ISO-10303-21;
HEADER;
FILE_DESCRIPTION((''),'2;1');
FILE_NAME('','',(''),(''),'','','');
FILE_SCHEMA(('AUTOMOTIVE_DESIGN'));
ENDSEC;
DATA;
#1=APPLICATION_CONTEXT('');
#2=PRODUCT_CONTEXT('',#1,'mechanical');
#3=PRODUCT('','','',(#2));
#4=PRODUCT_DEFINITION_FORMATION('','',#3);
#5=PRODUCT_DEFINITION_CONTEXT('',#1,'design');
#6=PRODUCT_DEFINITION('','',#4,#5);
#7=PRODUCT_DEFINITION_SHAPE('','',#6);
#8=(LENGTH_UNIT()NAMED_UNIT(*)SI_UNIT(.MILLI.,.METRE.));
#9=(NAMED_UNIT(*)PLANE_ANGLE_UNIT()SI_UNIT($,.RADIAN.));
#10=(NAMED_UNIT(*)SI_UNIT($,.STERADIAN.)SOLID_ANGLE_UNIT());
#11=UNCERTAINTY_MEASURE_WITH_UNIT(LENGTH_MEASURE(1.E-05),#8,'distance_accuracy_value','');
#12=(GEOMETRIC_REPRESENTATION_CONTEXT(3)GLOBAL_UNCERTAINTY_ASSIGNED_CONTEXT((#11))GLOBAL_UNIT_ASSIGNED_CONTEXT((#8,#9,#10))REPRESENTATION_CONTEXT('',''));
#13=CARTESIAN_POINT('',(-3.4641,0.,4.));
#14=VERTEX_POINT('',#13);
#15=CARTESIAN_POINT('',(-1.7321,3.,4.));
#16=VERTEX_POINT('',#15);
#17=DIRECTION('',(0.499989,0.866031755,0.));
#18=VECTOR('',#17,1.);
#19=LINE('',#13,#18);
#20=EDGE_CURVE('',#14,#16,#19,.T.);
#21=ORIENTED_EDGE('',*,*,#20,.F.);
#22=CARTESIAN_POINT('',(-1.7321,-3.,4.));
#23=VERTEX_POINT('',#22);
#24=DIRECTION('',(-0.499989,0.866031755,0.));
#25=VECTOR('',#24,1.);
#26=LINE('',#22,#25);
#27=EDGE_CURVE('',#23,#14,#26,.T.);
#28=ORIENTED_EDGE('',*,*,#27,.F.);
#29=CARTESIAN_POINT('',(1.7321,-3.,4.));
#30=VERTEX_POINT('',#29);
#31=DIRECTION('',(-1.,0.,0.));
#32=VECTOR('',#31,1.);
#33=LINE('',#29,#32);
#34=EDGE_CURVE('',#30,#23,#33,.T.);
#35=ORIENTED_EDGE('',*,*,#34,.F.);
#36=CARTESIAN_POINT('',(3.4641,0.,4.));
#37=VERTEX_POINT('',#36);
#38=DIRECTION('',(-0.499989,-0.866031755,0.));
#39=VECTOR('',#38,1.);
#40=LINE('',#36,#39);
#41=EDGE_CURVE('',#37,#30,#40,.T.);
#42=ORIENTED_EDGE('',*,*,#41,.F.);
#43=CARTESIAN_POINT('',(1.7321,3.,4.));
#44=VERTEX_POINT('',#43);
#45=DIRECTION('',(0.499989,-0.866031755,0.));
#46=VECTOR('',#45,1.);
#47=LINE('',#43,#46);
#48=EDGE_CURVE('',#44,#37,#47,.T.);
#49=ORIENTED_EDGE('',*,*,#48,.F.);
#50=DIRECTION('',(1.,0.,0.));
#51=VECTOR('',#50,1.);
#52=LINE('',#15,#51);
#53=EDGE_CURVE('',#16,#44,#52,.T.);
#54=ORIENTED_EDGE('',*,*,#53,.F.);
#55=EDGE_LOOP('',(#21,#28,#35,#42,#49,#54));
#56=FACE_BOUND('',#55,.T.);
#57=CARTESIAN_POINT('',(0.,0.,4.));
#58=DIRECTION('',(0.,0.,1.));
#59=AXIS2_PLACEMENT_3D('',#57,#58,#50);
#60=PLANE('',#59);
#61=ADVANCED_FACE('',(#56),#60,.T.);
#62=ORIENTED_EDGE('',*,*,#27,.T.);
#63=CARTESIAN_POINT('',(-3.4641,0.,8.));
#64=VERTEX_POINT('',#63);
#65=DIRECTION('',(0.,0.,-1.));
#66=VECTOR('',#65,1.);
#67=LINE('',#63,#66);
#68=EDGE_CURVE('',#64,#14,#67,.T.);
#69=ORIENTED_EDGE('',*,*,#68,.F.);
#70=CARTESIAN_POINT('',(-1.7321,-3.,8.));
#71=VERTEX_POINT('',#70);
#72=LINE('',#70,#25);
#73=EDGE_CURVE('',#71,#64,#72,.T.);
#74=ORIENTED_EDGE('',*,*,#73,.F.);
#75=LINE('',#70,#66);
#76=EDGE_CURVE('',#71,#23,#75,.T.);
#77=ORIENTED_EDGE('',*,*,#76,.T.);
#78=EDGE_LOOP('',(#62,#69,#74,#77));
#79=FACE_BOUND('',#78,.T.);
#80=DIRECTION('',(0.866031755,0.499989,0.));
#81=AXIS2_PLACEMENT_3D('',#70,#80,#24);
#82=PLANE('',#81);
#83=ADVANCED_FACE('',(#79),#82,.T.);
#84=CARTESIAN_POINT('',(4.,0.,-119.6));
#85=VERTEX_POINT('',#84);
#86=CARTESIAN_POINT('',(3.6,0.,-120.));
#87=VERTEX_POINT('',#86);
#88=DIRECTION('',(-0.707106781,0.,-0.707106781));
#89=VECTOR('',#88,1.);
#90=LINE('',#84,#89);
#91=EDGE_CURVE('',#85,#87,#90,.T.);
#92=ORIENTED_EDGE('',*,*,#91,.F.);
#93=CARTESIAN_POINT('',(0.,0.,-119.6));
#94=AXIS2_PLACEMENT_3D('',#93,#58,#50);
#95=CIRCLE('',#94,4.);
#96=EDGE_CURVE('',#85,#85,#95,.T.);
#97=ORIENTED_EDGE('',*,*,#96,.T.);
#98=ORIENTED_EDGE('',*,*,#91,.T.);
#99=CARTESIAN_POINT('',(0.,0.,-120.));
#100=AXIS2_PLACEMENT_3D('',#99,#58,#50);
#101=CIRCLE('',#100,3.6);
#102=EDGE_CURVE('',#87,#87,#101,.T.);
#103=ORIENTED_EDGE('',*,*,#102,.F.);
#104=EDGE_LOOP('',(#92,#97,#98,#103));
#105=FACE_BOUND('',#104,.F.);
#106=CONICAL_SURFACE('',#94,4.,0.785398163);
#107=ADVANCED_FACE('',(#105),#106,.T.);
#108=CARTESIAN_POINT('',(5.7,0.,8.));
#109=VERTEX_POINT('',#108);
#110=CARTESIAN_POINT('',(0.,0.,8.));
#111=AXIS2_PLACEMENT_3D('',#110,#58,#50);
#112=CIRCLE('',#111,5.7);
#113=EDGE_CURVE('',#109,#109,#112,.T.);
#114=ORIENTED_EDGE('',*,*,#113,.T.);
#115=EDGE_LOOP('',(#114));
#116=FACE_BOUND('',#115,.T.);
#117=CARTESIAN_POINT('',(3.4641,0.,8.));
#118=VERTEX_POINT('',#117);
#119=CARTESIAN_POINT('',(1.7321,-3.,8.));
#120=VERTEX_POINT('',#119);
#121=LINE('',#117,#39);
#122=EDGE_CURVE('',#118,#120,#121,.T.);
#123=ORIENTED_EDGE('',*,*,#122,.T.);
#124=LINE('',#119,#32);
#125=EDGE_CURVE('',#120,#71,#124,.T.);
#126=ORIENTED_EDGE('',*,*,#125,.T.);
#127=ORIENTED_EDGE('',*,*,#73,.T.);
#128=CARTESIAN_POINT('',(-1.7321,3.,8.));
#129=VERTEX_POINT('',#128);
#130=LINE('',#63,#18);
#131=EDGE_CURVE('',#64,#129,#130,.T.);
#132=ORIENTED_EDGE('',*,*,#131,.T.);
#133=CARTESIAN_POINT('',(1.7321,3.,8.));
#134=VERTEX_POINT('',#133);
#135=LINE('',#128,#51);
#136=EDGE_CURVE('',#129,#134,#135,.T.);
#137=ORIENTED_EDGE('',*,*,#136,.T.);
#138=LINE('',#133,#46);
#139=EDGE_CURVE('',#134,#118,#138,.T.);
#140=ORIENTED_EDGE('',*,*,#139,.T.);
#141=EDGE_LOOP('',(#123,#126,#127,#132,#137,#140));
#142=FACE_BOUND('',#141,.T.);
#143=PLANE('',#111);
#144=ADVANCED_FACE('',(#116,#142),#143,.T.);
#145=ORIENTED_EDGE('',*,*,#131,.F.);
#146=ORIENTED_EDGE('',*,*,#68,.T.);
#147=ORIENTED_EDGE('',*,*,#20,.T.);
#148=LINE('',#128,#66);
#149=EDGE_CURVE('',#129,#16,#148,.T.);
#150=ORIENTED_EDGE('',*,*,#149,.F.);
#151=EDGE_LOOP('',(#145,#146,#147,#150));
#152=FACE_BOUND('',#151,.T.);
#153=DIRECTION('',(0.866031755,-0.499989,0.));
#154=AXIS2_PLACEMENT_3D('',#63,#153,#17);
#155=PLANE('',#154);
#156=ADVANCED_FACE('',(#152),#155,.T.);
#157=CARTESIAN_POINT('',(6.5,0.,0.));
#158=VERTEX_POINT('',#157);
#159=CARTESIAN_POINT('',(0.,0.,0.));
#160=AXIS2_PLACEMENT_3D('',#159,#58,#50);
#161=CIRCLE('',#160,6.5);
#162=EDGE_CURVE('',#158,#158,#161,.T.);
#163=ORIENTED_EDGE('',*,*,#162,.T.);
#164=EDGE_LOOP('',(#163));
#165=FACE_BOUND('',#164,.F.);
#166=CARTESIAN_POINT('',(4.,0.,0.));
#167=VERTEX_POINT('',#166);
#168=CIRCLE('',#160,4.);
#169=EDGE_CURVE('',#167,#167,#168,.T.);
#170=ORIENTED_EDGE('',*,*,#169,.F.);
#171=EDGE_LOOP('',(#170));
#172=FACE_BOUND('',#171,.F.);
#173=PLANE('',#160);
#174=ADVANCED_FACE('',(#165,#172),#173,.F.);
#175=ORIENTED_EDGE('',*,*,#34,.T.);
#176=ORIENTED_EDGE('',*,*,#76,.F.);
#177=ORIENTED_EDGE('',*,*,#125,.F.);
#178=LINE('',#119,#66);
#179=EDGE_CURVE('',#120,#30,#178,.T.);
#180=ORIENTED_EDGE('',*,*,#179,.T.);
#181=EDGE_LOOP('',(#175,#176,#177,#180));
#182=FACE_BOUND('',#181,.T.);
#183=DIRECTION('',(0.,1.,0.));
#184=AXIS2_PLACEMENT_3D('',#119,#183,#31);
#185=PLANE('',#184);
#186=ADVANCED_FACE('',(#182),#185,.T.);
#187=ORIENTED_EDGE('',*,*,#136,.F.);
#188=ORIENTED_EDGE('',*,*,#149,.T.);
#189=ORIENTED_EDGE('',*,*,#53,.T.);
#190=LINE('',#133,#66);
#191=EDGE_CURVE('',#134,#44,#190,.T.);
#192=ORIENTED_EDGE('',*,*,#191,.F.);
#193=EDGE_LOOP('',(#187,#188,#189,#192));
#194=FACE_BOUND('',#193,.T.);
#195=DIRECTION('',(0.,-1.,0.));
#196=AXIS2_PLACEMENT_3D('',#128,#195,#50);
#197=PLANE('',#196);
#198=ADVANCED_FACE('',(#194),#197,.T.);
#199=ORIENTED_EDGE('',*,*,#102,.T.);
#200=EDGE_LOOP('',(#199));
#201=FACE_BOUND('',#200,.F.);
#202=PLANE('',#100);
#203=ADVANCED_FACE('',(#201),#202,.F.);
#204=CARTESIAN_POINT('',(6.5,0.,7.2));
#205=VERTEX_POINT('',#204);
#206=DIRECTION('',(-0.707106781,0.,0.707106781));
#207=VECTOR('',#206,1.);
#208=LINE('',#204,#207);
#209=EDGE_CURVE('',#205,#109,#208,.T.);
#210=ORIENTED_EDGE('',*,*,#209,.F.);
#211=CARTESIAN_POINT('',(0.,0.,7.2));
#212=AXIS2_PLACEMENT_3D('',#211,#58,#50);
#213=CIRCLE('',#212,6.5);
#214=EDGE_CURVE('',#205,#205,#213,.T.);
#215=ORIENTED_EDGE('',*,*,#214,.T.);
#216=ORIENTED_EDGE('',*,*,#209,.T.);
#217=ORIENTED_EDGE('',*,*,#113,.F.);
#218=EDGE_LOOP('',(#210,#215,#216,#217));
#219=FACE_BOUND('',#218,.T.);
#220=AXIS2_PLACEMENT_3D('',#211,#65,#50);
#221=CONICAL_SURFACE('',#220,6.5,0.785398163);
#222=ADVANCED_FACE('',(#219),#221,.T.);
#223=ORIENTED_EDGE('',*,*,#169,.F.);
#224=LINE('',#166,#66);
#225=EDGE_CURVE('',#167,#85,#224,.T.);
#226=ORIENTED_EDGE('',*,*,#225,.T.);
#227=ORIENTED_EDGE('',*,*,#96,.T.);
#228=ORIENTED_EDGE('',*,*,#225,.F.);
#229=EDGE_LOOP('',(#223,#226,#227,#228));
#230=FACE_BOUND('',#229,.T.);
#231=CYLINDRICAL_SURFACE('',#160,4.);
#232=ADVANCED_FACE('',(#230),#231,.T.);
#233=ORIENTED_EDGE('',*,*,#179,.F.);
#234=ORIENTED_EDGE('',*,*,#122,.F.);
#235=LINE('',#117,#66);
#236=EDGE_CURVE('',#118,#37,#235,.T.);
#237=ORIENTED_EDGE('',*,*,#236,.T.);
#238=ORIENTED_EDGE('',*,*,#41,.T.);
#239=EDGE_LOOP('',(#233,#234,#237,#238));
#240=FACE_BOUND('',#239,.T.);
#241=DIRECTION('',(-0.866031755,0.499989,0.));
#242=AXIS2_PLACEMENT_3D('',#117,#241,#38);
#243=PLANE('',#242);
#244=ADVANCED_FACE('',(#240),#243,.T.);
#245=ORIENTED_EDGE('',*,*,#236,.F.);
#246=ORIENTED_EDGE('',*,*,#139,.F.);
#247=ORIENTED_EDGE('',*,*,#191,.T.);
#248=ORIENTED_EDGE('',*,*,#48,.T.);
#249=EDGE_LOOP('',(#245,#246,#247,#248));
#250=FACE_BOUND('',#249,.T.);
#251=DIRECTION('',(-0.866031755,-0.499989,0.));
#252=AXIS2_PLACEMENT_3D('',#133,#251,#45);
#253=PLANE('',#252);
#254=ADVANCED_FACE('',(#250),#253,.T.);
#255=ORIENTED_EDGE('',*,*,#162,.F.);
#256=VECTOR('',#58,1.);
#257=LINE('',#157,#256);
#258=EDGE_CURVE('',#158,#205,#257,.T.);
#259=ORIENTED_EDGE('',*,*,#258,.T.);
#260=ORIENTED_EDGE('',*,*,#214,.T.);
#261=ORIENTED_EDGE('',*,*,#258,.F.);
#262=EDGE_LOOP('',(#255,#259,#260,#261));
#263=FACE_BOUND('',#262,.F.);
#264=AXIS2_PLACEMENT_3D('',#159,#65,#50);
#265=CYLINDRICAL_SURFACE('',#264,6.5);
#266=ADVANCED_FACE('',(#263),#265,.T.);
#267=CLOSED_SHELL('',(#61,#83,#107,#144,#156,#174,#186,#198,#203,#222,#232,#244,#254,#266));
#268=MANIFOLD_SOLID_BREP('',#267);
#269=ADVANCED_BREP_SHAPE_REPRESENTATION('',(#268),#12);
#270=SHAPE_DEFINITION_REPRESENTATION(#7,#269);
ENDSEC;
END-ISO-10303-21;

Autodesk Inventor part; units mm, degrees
ref_plane "YZ Plane" through (0, 0, 0) normal (1, 0, 0) x (0, 1, 0)
ref_plane "XZ Plane" through (0, 0, 0) normal (0, 1, 0) x (-1, 0, 0)
ref_plane "XY Plane" through (0, 0, 0) normal (0, 0, 1) x (1, 0, 0)
sketch "Sketch3" plane through (0, 0, 0) normal (0, 0, 1) x (1, 0, 0)
  circle A0 centre (0, 0) radius 4
  dimension "Diameter" = 8
extrude "Extrusion1" add sketch "Sketch3" against normal blind 120
sketch "Sketch4" plane through (0, 0, 0) normal (0, 0, 1) x (1, 0, 0)
  circle A0 centre (0, 0) radius 4 projected
  circle A1 centre (0, 0) radius 6.5
  dimension "Head_Diameter" = 13
extrude "Extrusion2" add sketch "Sketch4" along normal blind 8 contours A0 | A1
sketch "Sketch5" plane through (0, 0, 8) normal (0, 0, 1) x (1, 0, 0)
  circle A0 centre (0, 0) radius 6.5 projected
  line L0 (3.4641, 0) -> (1.7321, -3)
  line L1 (1.7321, -3) -> (-1.7321, -3)
  line L2 (-1.7321, -3) -> (-3.4641, 0)
  line L3 (-3.4641, 0) -> (-1.7321, 3)
  line L4 (-1.7321, 3) -> (1.7321, 3)
  line L5 (1.7321, 3) -> (3.4641, 0)
  line L6 (0, 0) -> (3.4641, 0) construction
  dimension "Hex_Width" = 6
extrude "Extrusion3" cut sketch "Sketch5" against normal blind 4 contours L0 L1 L2 L3 L4 L5
thread "Thread1" size "M8x1.25" class "4g6g" standard "ANSI Metric M Profile" length 28
chamfer "Chamfer1" distance 0.8 angle 45 1 edges at (-6.5, 0, 8)
chamfer "Chamfer2" distance 0.4 angle 45 1 edges at (-4, 0, -120)
equation "\"d14\" = 0.5 * Chamfer"
equation "\"Chamfer\" = 0.8"
properties part number "SCREW,SOCKET HD,P,12.9,M8X1.25X120MM" material "Steel, MS"
